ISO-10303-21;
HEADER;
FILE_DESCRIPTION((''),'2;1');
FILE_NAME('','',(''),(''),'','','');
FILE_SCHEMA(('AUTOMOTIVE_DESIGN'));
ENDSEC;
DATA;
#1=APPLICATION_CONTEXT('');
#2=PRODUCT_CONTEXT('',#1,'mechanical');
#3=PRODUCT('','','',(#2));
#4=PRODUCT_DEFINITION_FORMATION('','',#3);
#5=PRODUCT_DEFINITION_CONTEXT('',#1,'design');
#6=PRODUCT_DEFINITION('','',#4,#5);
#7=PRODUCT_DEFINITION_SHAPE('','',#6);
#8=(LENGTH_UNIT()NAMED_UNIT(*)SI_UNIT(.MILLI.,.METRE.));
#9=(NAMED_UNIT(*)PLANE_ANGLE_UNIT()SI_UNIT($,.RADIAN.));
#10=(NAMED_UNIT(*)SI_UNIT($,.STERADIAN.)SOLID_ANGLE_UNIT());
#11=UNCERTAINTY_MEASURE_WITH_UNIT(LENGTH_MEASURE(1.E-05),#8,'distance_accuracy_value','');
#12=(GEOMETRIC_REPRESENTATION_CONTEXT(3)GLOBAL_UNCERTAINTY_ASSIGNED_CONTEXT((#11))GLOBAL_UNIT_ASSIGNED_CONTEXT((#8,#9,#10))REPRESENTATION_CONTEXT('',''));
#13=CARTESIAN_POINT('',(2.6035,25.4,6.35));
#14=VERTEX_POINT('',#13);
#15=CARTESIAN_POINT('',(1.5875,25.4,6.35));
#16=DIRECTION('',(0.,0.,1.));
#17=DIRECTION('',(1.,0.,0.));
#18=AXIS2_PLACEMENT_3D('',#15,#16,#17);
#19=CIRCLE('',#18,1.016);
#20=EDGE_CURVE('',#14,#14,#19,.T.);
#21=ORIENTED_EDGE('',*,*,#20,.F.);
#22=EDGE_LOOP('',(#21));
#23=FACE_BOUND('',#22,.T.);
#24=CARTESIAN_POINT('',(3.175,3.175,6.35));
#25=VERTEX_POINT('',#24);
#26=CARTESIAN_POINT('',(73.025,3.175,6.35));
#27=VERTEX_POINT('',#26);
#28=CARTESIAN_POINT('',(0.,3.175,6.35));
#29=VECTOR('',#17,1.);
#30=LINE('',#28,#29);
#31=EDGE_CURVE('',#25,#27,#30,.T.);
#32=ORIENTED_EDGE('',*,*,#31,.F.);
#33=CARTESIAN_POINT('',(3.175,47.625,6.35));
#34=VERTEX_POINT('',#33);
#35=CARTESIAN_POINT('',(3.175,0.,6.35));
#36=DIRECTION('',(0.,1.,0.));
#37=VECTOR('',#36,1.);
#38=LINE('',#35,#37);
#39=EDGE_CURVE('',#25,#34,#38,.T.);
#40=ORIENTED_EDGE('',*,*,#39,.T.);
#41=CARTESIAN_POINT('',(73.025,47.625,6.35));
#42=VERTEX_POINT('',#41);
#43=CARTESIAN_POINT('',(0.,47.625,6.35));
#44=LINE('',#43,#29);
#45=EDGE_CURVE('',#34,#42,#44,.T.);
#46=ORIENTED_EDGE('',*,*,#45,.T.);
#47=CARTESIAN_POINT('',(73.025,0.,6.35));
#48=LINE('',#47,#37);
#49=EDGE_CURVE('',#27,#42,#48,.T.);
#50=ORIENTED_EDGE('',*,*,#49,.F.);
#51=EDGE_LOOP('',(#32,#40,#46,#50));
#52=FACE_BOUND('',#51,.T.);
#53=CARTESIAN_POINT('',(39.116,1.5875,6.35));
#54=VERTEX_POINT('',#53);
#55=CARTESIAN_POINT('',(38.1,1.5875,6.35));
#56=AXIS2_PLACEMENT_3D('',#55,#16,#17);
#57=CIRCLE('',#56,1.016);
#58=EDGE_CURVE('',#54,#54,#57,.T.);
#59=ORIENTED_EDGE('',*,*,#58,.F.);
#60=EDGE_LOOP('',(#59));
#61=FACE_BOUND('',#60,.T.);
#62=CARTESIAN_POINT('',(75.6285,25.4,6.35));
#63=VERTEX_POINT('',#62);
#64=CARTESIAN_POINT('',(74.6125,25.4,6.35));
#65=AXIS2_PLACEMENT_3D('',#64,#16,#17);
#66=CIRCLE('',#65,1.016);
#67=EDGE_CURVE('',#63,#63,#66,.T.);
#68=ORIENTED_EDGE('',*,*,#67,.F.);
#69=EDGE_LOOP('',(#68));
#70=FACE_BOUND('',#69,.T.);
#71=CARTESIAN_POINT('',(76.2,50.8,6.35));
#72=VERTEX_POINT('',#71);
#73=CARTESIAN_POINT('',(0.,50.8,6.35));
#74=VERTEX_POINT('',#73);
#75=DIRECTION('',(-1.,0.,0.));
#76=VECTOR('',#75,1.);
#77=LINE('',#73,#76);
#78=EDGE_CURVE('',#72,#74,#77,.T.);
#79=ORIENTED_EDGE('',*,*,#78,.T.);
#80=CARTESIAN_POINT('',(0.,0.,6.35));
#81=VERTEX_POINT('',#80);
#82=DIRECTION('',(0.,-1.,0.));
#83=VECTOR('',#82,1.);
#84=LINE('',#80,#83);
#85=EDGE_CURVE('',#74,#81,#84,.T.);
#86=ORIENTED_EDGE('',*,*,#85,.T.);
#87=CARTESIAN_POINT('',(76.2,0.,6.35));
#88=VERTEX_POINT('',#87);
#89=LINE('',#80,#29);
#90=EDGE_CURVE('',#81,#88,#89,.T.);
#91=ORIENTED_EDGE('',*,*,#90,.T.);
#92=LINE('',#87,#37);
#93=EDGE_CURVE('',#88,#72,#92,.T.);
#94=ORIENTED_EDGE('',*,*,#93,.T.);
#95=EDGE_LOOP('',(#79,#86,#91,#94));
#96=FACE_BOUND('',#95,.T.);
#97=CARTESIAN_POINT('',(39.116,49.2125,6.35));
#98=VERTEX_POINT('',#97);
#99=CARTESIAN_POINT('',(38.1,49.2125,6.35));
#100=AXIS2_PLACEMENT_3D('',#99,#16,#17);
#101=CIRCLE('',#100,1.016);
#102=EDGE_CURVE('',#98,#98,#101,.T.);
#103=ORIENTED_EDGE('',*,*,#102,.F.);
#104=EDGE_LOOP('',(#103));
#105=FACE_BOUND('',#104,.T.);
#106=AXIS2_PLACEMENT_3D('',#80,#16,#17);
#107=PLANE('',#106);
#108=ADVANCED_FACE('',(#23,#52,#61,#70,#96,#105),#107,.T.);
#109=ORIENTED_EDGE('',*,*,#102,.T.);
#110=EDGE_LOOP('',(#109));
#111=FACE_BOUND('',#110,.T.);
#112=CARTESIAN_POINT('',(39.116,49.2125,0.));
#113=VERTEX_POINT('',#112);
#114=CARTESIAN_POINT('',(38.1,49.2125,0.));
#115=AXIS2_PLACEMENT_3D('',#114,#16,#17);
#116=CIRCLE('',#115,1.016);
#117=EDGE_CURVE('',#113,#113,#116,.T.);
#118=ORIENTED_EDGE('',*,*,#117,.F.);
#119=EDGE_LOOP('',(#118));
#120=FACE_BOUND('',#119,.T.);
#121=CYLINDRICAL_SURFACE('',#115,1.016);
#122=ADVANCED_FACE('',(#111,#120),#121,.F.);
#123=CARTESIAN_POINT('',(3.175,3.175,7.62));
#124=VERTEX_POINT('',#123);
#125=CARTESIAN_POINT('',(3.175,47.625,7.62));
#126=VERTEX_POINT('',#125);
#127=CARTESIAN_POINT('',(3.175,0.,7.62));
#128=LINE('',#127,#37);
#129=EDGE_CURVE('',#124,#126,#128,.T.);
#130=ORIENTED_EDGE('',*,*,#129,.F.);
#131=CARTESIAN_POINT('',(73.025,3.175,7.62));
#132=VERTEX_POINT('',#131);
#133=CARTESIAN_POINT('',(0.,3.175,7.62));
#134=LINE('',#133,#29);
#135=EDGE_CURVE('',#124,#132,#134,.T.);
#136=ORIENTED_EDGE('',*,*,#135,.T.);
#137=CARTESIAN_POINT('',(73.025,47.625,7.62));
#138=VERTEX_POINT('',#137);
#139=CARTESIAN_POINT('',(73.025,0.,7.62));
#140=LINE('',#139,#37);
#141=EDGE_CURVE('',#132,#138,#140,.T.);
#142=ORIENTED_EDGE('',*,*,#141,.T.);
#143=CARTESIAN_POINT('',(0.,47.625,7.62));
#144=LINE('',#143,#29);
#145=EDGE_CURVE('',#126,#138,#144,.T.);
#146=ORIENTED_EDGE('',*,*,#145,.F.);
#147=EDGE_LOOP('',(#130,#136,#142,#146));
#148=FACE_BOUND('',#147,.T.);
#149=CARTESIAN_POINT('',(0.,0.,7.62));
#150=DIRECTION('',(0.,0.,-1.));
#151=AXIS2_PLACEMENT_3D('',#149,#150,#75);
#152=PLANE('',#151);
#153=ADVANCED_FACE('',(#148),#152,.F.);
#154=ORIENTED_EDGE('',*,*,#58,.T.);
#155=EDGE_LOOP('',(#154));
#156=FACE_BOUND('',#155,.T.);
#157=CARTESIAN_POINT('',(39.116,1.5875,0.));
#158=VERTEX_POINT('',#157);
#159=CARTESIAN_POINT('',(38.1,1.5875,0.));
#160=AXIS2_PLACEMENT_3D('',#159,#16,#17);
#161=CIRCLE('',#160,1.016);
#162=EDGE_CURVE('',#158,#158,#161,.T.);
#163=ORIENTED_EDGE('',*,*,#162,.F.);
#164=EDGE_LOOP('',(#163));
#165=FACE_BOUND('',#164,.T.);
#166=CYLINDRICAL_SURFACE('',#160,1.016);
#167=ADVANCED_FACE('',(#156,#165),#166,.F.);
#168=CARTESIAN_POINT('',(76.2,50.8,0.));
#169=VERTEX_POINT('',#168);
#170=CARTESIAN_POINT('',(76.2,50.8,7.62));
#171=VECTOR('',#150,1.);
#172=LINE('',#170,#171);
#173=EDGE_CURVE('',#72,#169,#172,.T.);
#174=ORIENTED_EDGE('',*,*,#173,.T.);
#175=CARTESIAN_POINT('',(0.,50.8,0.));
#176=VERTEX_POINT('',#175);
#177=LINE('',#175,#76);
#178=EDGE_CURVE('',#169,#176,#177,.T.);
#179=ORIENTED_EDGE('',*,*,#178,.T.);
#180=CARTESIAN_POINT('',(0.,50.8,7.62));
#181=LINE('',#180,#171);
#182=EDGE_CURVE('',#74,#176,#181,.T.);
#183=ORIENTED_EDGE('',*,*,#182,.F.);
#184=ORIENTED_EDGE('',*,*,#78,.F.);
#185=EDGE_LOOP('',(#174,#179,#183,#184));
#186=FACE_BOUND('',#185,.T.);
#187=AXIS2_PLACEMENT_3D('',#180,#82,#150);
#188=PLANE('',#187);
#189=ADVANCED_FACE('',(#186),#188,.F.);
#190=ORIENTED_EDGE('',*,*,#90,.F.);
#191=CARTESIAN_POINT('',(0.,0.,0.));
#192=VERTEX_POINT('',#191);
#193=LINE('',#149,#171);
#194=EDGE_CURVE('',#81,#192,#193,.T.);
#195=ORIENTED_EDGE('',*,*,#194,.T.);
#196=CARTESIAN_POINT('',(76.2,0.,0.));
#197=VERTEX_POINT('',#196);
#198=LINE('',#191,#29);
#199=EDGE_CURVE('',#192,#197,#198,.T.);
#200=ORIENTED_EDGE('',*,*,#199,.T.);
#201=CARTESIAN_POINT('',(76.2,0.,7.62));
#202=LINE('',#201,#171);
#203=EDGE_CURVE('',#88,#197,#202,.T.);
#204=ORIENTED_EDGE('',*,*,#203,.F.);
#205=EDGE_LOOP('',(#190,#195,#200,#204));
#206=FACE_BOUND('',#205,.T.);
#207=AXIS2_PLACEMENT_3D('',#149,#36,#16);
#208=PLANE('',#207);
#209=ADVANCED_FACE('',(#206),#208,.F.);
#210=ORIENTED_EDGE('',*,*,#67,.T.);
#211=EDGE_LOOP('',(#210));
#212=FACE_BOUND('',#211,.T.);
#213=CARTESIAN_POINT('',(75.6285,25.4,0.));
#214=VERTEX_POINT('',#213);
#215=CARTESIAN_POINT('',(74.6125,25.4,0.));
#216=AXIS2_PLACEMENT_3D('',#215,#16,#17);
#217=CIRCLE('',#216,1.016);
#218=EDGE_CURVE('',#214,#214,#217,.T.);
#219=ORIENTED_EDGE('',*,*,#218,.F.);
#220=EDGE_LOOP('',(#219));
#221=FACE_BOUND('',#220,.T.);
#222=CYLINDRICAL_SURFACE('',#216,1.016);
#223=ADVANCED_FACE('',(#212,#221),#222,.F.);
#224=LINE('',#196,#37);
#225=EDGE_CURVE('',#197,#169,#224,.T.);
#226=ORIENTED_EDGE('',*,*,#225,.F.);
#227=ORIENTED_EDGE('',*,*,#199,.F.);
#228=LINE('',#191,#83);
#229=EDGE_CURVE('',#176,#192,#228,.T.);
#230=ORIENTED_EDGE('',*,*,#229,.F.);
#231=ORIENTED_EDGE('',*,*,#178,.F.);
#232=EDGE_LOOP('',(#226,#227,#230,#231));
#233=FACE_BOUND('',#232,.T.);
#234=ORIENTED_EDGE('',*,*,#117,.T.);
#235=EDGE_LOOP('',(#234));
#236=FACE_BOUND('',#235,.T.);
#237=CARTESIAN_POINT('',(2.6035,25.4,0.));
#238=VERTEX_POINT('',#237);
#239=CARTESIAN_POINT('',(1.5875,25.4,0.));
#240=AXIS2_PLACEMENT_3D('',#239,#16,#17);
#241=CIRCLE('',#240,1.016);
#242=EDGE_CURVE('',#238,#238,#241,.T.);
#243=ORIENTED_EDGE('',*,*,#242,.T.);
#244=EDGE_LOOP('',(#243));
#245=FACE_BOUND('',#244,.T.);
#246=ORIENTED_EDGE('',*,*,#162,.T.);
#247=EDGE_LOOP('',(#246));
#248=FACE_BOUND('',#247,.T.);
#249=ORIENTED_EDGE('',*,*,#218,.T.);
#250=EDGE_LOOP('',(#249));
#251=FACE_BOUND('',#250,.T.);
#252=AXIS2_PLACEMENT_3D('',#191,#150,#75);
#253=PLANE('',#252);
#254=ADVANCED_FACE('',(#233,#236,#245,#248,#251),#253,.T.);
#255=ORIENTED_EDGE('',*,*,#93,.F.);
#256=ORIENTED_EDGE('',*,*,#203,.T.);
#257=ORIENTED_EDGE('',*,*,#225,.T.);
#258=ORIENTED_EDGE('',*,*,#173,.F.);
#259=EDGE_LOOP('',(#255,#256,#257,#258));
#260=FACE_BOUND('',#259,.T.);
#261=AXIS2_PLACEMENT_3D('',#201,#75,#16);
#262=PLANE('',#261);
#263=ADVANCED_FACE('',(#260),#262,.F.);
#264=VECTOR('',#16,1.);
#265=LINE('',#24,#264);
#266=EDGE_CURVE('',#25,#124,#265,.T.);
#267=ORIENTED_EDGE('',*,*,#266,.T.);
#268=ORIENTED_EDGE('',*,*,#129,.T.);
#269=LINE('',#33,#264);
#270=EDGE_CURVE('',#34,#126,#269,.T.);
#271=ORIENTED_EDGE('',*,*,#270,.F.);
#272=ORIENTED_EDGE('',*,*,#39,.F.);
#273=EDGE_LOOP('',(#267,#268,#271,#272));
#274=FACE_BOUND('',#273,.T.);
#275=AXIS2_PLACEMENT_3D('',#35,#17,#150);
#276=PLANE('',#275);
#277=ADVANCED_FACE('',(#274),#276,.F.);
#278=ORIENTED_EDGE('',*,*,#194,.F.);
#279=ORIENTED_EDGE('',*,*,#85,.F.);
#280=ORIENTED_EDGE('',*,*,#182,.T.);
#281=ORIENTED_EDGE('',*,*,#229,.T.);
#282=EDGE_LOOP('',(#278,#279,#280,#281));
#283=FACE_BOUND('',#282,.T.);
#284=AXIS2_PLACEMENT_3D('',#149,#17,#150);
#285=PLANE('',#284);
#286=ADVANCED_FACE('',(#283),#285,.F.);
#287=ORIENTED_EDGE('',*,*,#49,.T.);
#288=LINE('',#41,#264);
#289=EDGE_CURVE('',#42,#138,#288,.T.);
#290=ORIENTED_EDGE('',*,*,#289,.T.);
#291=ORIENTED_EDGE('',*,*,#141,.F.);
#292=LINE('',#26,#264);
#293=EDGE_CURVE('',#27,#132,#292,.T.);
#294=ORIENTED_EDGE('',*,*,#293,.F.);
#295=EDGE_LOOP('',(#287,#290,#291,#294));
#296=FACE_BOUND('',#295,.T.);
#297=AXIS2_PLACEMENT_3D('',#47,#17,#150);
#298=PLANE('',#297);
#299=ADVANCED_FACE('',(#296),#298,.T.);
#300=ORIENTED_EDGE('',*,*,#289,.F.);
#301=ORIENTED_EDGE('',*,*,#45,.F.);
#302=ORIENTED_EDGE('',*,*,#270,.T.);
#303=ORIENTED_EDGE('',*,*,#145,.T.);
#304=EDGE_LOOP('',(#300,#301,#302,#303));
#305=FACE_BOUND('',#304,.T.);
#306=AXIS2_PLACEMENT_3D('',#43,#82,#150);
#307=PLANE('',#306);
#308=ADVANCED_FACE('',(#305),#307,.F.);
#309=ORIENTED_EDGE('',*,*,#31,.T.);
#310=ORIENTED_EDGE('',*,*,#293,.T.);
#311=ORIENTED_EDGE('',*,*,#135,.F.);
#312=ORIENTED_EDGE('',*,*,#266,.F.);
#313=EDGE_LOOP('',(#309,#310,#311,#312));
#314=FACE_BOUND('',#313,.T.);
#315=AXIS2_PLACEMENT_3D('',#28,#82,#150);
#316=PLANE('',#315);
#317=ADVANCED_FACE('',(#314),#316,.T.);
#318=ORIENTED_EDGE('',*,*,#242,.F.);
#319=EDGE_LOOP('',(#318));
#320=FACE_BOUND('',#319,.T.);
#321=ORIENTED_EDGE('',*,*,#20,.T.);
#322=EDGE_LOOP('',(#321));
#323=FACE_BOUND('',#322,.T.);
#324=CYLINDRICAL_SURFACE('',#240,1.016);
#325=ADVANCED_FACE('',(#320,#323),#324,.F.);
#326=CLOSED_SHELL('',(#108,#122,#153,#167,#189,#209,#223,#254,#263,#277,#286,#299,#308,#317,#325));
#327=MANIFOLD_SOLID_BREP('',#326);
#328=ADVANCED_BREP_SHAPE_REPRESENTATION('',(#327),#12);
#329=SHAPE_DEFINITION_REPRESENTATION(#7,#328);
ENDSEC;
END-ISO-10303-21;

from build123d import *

# Parameters (mm, degrees)
SKETCH1_W           = 76.2
SKETCH1_H           = 50.8
BOSS_EXTRUDE1_DEPTH = 7.62
CUT_EXTRUDE3_DEPTH  = 1.27
SKETCH5_R           = 1.016
CUT_EXTRUDE4_DEPTH  = 92.800885072


with BuildPart() as part:
    # Sketch1 → Boss-Extrude1 (new body)
    with BuildSketch(Plane.XY):
        with Locations((38.1, 25.4)):
            Rectangle(SKETCH1_W, SKETCH1_H)
    extrude(amount=BOSS_EXTRUDE1_DEPTH)

    # Sketch4 → Cut-Extrude3 (cut)
    with BuildSketch(Plane.XY.offset(7.62)):
        Polygon((38.1, 47.625), (38.1, 50.8), (0, 50.8), (0, 0), (38.1, 0), (38.1, 3.175), (3.175, 3.175), (3.175, 47.625), align=None)
        Polygon((76.2, 50.8), (38.1, 50.8), (38.1, 47.625), (73.025, 47.625), (73.025, 3.175), (38.1, 3.175), (38.1, 0), (76.2, 0), align=None)
    extrude(amount=-CUT_EXTRUDE3_DEPTH, mode=Mode.SUBTRACT)

    # Sketch5 → Cut-Extrude4 (cut, through all)
    with BuildSketch(Plane.XY.offset(6.35)):
        with Locations((1.5875, 25.4)):
            Circle(SKETCH5_R)
        with Locations((38.1, 49.2125)):
            Circle(SKETCH5_R)
        with Locations((74.6125, 25.4)):
            Circle(SKETCH5_R)
        with Locations((38.1, 1.5875)):
            Circle(SKETCH5_R)
    extrude(amount=-CUT_EXTRUDE4_DEPTH, mode=Mode.SUBTRACT)


solid = part.part
